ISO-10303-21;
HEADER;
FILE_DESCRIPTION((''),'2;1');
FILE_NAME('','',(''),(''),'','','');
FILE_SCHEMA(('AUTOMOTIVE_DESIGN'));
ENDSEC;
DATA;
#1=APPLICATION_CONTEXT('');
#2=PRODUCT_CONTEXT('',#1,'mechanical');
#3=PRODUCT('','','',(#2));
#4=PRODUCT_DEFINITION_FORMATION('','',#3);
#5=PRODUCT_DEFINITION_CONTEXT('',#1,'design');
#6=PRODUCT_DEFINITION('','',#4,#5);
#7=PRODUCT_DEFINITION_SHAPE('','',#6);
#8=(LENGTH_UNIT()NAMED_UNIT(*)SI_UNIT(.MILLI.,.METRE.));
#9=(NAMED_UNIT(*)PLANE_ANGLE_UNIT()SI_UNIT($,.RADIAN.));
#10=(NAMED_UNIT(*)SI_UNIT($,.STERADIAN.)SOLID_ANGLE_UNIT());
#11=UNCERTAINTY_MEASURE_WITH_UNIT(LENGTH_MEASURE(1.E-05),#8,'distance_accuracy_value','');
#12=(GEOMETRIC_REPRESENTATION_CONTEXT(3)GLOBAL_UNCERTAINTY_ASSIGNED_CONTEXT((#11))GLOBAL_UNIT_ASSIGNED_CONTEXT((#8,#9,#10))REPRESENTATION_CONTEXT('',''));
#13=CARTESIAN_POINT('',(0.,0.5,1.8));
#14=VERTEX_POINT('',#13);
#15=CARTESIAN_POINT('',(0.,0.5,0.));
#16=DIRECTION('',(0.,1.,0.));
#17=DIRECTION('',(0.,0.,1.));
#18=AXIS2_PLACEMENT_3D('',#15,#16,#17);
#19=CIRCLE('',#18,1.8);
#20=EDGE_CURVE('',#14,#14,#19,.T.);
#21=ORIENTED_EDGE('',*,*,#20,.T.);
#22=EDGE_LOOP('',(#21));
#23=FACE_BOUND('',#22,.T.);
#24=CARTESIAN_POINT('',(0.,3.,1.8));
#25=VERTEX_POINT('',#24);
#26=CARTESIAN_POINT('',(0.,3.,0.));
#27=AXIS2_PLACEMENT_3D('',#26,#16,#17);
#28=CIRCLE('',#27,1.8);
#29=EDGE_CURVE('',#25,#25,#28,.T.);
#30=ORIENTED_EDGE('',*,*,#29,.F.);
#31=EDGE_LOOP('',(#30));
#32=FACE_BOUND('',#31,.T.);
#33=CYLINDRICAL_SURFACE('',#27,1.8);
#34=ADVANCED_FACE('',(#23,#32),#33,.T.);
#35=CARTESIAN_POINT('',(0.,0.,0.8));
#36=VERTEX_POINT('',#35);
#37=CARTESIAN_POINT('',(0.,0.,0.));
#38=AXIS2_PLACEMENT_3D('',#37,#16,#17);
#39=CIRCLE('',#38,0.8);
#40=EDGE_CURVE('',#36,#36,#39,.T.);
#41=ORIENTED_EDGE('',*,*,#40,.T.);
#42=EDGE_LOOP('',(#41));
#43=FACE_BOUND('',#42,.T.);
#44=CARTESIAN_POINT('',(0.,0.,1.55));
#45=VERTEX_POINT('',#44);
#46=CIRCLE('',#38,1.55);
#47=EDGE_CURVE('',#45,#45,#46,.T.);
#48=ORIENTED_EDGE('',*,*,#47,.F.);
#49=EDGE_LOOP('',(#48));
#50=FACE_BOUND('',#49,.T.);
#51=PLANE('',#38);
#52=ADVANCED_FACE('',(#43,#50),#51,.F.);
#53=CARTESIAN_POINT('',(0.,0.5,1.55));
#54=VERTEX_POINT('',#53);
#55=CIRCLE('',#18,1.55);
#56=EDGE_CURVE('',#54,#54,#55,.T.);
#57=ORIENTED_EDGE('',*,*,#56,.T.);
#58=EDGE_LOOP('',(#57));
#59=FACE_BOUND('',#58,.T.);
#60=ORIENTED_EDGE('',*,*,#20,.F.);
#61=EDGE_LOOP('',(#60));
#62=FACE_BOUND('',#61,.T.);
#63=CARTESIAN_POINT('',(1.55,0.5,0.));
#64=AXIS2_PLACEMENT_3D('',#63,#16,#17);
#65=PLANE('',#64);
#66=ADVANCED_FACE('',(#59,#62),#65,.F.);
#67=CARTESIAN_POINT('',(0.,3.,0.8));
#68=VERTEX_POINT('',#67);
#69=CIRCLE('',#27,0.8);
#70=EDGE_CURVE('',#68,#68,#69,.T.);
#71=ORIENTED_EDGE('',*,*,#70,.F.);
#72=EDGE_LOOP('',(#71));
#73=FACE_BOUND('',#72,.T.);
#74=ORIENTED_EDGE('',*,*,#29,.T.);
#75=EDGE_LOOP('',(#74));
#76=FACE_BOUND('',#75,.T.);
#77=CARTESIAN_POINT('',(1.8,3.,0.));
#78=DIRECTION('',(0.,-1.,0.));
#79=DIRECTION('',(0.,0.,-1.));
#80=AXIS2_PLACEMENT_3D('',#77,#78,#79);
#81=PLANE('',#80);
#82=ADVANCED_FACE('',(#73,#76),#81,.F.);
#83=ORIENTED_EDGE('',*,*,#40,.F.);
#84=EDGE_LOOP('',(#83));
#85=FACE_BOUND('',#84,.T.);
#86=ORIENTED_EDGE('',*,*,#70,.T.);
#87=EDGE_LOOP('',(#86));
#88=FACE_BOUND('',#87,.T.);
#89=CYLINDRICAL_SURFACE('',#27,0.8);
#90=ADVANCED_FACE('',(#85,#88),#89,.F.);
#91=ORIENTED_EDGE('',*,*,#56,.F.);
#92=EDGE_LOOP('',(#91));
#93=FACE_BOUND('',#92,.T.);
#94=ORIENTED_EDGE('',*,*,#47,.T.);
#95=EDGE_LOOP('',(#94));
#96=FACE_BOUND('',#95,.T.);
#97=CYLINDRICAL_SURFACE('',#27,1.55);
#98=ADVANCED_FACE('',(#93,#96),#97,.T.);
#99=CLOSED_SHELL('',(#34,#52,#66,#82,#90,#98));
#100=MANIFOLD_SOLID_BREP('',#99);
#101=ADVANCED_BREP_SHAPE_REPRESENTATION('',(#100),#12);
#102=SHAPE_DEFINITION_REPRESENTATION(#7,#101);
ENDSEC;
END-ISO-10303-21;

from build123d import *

# Parameters (mm, degrees)
TAP_DRILL_FOR_M2_TAP1_D = 1.6


with BuildPart() as part:
    # Sketch1 → Revolve1 (revolve)
    with BuildSketch(Plane.XY, mode=Mode.PRIVATE) as revolve1_sk:
        Polygon((0, 0), (1.55, 0), (1.55, 0.5), (1.8, 0.5), (1.8, 3), (0, 3), align=None)
    revolve(revolve1_sk.sketch.rotate(Axis((0, 3, 0), (0, -1, 0)), 90), axis=Axis((0, 3, 0), (0, -1, 0)))

    # Tap Drill for M2 Tap1 (through all)
    with Locations(Plane(origin=(0, 3, 0), x_dir=(1, 0, 0), z_dir=(0, 1, 0))):
        with Locations((0, 0)):
            Hole(TAP_DRILL_FOR_M2_TAP1_D / 2)


solid = part.part
